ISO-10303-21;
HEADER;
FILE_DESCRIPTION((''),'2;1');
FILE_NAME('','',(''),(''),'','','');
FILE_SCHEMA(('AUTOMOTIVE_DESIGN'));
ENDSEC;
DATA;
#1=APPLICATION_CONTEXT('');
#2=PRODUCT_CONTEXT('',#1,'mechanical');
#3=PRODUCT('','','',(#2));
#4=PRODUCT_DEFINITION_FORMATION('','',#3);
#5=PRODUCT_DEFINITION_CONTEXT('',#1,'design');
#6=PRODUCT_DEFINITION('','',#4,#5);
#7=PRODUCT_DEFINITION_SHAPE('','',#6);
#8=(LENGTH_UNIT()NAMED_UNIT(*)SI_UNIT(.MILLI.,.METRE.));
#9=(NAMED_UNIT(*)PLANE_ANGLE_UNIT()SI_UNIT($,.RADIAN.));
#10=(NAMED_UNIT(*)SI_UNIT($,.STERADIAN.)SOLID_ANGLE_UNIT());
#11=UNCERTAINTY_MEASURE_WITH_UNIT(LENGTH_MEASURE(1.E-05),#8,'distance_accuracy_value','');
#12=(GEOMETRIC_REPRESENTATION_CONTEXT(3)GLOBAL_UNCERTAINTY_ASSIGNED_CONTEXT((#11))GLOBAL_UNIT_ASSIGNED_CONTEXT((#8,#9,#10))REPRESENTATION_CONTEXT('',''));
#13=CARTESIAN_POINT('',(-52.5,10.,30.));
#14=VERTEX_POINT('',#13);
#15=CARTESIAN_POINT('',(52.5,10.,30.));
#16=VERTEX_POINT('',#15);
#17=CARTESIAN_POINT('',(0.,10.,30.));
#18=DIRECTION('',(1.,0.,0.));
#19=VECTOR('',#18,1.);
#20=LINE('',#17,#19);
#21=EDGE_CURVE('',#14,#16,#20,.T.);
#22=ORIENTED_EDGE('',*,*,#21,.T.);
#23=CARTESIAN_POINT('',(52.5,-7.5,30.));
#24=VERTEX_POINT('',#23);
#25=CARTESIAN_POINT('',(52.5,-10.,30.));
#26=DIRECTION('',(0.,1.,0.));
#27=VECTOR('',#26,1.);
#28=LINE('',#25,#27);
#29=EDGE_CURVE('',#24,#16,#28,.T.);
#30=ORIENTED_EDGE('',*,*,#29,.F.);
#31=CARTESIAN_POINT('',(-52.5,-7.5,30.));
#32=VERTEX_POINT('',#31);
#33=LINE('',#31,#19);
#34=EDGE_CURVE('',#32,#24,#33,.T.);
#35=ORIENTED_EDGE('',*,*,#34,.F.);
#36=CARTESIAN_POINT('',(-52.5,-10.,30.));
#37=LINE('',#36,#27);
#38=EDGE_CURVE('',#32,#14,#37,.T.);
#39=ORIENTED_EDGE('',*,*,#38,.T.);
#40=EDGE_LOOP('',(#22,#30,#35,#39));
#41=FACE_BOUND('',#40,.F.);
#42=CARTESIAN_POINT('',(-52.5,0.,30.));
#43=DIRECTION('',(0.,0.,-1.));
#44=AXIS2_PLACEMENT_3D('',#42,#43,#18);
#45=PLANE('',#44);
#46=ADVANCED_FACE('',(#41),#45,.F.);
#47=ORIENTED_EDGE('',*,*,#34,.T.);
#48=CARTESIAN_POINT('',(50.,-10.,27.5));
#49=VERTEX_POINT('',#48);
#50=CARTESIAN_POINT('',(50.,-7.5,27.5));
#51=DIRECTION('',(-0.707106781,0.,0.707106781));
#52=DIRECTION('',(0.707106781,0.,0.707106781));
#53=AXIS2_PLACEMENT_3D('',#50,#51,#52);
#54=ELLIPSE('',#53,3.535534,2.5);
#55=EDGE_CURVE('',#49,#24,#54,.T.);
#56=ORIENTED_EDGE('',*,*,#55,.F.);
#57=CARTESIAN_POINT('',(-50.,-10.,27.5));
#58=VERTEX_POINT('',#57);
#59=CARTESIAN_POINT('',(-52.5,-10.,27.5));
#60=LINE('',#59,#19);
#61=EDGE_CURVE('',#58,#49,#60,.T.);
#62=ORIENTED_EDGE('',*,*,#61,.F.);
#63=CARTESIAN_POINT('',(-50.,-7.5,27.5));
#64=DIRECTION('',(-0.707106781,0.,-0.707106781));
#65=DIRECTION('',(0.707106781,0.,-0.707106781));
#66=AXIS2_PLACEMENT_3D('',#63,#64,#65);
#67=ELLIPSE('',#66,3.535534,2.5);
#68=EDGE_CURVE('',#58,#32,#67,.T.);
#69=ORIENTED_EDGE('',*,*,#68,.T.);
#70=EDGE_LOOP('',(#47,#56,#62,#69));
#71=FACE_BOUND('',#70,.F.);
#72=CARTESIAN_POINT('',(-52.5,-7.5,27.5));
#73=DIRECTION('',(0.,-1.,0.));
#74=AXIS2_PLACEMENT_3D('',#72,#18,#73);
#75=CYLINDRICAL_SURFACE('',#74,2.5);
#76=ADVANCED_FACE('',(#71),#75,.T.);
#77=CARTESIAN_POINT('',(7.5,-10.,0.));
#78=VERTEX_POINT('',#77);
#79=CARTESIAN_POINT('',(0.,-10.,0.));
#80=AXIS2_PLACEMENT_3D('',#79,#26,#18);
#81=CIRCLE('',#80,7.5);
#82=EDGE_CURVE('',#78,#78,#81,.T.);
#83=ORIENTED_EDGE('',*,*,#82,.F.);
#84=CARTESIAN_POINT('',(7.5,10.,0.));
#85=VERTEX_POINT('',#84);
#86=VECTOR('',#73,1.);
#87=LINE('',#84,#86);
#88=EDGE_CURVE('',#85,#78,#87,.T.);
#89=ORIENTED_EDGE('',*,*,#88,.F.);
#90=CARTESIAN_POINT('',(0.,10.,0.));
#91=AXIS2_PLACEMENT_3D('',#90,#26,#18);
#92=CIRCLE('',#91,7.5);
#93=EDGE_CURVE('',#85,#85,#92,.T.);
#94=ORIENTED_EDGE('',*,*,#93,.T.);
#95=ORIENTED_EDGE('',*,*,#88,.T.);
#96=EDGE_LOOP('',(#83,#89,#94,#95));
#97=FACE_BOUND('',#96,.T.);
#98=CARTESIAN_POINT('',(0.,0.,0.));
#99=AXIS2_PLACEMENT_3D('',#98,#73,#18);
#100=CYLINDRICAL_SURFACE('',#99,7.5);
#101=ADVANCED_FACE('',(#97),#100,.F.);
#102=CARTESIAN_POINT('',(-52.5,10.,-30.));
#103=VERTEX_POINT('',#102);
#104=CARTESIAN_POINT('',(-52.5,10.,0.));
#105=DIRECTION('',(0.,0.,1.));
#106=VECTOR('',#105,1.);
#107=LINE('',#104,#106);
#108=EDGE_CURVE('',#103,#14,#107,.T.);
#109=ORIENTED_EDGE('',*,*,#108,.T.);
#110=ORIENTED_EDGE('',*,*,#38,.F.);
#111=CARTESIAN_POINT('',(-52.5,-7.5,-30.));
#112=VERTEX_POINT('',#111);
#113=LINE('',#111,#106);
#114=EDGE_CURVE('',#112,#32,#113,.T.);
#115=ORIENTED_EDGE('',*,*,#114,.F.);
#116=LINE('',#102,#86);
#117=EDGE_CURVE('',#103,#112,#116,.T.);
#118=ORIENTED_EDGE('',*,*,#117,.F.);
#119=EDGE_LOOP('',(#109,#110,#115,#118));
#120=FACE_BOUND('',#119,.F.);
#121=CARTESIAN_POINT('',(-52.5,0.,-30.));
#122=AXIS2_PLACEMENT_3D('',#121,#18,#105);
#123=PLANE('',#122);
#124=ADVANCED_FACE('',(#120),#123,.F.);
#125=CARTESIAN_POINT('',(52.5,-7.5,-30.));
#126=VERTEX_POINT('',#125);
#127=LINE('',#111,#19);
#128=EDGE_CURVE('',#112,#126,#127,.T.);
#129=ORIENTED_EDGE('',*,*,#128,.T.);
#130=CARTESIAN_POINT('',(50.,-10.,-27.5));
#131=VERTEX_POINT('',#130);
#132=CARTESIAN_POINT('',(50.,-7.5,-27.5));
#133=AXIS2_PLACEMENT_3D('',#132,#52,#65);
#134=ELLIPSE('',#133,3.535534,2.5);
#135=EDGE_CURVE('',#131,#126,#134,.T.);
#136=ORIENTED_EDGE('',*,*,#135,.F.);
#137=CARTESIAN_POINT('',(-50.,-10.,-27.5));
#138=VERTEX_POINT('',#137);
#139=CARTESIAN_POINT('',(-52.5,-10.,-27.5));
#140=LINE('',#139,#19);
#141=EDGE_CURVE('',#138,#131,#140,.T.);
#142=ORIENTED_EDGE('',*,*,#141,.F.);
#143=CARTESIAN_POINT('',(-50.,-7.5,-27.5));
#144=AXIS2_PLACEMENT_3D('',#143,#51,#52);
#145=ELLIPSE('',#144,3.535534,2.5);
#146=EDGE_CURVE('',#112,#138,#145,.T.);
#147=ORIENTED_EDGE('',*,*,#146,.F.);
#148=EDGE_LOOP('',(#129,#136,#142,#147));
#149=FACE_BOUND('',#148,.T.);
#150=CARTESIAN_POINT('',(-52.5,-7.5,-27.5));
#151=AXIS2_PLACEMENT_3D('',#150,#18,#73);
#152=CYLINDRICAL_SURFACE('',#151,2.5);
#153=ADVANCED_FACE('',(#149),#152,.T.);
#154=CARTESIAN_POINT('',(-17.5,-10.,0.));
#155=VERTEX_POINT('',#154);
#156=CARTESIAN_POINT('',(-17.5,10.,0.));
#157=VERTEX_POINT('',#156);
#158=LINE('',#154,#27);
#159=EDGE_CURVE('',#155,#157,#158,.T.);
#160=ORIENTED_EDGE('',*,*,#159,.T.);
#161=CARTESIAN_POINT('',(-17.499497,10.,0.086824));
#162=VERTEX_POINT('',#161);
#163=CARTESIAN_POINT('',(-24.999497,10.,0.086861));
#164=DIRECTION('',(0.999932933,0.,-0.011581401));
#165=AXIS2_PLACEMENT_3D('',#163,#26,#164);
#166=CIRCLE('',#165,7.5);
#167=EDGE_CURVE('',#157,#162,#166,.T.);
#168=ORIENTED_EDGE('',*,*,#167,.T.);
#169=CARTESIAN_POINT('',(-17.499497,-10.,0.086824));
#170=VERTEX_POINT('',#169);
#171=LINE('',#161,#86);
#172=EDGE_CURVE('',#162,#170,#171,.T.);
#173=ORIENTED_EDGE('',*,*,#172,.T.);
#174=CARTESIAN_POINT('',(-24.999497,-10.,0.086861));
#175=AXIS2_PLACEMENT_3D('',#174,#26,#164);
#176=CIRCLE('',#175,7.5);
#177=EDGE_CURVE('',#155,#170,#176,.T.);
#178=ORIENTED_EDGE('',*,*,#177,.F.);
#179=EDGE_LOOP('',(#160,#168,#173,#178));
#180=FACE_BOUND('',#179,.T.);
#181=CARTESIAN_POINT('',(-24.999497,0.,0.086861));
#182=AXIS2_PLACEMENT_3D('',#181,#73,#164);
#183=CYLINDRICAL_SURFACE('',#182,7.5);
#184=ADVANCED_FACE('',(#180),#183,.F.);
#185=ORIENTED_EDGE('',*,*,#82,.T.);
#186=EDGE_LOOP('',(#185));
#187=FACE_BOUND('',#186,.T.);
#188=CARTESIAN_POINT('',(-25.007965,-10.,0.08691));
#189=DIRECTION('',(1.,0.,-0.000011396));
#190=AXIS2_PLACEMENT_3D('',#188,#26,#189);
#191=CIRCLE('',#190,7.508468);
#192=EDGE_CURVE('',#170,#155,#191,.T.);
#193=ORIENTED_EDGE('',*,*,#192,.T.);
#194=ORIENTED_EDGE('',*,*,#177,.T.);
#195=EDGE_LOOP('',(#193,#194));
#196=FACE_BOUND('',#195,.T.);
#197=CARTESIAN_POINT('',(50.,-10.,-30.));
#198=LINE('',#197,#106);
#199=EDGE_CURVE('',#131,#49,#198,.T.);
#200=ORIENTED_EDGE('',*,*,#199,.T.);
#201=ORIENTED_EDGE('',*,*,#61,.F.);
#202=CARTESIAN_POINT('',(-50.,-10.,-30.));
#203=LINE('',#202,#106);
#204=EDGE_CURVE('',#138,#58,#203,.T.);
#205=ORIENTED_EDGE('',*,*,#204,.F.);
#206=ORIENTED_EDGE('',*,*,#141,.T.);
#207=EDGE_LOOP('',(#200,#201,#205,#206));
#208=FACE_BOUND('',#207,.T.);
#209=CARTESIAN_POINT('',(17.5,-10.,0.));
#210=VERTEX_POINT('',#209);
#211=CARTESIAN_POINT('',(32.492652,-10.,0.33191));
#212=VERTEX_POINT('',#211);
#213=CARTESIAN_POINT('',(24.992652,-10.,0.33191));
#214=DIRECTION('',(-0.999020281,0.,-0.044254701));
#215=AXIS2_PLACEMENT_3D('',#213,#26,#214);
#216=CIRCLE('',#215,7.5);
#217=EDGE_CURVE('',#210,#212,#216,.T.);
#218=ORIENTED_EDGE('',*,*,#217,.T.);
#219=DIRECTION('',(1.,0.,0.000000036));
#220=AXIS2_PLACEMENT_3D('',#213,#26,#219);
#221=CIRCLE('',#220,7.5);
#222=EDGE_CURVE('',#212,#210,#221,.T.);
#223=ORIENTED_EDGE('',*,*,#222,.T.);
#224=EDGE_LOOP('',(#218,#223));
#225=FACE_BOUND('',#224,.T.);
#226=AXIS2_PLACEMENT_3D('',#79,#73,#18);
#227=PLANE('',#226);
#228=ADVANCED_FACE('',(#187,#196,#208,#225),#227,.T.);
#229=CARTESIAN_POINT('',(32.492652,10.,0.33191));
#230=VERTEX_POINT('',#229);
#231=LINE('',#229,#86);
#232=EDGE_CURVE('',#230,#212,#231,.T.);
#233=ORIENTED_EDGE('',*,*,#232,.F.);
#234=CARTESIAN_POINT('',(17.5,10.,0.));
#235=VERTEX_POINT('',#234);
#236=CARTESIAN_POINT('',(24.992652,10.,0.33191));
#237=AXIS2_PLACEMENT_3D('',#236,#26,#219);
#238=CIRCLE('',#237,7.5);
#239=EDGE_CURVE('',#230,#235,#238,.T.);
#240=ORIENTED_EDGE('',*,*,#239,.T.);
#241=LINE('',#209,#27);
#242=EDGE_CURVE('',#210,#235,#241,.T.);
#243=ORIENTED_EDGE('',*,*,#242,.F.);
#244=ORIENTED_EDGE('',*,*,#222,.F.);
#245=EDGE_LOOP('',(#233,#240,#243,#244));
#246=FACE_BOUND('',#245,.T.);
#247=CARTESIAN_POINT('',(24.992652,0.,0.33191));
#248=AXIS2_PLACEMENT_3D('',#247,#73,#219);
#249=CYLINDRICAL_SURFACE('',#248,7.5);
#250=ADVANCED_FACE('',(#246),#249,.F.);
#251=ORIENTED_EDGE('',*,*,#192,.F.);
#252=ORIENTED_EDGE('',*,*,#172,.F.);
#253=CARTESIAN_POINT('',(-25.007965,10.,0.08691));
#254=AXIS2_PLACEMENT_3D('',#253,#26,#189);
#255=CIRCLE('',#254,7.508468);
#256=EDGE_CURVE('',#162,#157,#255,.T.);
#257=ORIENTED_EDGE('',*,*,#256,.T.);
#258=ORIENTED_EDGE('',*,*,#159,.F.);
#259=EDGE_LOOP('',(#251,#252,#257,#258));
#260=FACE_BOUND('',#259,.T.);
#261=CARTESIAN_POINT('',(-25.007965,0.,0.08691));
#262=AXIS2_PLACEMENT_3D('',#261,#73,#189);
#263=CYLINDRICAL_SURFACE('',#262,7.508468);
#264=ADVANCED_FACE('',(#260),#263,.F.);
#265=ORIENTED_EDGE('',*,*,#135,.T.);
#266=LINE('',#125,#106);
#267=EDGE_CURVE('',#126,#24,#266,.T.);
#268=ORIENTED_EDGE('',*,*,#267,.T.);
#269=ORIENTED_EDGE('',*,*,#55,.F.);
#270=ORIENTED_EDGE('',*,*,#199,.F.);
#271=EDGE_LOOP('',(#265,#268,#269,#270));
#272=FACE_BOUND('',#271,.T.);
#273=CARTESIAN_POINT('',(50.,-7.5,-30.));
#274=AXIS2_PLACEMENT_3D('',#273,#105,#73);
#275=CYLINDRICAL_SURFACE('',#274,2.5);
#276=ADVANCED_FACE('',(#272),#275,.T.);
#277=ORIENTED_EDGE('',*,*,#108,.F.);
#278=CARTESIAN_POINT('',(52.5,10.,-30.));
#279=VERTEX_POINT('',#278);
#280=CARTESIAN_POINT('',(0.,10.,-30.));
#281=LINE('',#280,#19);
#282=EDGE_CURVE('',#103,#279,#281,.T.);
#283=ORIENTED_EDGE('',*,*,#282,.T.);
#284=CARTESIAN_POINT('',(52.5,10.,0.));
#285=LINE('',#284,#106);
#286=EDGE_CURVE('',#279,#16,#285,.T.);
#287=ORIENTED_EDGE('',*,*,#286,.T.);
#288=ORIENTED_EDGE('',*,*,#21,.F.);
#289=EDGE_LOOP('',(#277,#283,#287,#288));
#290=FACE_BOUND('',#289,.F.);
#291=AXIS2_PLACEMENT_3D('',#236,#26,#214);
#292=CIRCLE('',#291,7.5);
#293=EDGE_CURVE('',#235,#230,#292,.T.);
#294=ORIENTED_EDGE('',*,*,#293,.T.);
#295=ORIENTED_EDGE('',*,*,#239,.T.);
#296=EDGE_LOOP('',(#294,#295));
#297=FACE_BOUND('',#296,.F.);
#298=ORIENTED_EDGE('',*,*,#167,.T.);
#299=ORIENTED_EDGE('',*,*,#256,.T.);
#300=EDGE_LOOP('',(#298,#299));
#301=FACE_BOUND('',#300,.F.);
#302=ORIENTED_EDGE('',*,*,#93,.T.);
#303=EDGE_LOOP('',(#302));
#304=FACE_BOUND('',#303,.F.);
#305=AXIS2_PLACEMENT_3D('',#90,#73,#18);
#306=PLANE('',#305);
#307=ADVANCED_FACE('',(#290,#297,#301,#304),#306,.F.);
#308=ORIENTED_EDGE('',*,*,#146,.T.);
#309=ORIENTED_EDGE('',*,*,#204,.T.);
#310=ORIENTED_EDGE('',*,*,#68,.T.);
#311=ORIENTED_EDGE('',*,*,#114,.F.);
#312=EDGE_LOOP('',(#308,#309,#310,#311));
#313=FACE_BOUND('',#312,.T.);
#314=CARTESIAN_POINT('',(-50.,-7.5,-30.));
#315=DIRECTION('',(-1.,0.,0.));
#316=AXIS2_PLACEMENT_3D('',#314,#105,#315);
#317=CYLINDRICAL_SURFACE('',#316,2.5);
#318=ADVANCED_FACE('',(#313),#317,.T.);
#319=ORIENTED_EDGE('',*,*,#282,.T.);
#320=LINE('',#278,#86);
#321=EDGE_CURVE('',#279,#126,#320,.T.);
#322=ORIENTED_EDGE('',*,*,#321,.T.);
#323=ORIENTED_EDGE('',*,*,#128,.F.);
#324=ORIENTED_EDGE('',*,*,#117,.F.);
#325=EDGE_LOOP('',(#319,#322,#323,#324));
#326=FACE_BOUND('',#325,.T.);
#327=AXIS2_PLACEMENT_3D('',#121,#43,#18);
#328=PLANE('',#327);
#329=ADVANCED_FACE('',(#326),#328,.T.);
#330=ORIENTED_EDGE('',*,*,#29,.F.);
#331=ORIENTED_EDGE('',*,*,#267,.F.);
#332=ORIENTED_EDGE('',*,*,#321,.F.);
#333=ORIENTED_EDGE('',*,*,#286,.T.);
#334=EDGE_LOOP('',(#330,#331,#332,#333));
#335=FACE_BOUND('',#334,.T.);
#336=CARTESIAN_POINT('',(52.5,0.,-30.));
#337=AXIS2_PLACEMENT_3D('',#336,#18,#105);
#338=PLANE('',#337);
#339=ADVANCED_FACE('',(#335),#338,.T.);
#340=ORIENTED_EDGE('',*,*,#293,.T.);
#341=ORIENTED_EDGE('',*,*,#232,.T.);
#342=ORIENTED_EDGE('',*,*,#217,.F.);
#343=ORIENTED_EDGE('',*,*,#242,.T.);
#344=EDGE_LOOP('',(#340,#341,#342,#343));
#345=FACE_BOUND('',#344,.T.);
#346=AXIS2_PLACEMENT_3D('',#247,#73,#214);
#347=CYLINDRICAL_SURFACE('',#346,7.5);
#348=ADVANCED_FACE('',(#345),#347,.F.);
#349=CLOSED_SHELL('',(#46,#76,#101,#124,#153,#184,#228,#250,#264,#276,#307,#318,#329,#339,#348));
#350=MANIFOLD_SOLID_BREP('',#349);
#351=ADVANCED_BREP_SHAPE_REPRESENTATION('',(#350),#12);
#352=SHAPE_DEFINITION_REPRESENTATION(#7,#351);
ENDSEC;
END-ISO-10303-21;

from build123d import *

# Parameters (mm, degrees)
F0_W     = 105
F0_H     = 60
F1_DEPTH = 10
F2_R     = 2.5


with BuildPart() as f1:
    # F0 (on Front) → F1 (new body, symmetric)
    with BuildSketch(Plane.XZ):
        Rectangle(F0_W, F0_H)
        with BuildLine():
            ThreePointArc((-17.499497, 0.086824), (-17.499623, 0.043411), (-17.5, 0))
            ThreePointArc((-17.5, 0), (-32.499372, 0.130237), (-17.499497, 0.086824))
        make_face(mode=Mode.SUBTRACT)
        with BuildLine():
            ThreePointArc((-7.5, 0), (0, 7.5), (7.5, 0))
            ThreePointArc((7.5, 0), (0, -7.5), (-7.5, 0))
        make_face(mode=Mode.SUBTRACT)
        with BuildLine():
            ThreePointArc((32.492652, 0.33191), (25.158648, -7.166253), (17.5, 0))
            ThreePointArc((17.5, 0), (24.826656, 7.830073), (32.492652, 0.33191))
        make_face(mode=Mode.SUBTRACT)
    extrude(amount=F1_DEPTH, both=True)

    # F2
    f2_edges = [f1.edges().sort_by_distance(p)[0] for p in [
        (0, -10, 30),
        (-52.5, -10, 0),
        (0, -10, -30),
        (52.5, -10, 0),
    ]]
    fillet(f2_edges, radius=F2_R)


solid = f1.part
